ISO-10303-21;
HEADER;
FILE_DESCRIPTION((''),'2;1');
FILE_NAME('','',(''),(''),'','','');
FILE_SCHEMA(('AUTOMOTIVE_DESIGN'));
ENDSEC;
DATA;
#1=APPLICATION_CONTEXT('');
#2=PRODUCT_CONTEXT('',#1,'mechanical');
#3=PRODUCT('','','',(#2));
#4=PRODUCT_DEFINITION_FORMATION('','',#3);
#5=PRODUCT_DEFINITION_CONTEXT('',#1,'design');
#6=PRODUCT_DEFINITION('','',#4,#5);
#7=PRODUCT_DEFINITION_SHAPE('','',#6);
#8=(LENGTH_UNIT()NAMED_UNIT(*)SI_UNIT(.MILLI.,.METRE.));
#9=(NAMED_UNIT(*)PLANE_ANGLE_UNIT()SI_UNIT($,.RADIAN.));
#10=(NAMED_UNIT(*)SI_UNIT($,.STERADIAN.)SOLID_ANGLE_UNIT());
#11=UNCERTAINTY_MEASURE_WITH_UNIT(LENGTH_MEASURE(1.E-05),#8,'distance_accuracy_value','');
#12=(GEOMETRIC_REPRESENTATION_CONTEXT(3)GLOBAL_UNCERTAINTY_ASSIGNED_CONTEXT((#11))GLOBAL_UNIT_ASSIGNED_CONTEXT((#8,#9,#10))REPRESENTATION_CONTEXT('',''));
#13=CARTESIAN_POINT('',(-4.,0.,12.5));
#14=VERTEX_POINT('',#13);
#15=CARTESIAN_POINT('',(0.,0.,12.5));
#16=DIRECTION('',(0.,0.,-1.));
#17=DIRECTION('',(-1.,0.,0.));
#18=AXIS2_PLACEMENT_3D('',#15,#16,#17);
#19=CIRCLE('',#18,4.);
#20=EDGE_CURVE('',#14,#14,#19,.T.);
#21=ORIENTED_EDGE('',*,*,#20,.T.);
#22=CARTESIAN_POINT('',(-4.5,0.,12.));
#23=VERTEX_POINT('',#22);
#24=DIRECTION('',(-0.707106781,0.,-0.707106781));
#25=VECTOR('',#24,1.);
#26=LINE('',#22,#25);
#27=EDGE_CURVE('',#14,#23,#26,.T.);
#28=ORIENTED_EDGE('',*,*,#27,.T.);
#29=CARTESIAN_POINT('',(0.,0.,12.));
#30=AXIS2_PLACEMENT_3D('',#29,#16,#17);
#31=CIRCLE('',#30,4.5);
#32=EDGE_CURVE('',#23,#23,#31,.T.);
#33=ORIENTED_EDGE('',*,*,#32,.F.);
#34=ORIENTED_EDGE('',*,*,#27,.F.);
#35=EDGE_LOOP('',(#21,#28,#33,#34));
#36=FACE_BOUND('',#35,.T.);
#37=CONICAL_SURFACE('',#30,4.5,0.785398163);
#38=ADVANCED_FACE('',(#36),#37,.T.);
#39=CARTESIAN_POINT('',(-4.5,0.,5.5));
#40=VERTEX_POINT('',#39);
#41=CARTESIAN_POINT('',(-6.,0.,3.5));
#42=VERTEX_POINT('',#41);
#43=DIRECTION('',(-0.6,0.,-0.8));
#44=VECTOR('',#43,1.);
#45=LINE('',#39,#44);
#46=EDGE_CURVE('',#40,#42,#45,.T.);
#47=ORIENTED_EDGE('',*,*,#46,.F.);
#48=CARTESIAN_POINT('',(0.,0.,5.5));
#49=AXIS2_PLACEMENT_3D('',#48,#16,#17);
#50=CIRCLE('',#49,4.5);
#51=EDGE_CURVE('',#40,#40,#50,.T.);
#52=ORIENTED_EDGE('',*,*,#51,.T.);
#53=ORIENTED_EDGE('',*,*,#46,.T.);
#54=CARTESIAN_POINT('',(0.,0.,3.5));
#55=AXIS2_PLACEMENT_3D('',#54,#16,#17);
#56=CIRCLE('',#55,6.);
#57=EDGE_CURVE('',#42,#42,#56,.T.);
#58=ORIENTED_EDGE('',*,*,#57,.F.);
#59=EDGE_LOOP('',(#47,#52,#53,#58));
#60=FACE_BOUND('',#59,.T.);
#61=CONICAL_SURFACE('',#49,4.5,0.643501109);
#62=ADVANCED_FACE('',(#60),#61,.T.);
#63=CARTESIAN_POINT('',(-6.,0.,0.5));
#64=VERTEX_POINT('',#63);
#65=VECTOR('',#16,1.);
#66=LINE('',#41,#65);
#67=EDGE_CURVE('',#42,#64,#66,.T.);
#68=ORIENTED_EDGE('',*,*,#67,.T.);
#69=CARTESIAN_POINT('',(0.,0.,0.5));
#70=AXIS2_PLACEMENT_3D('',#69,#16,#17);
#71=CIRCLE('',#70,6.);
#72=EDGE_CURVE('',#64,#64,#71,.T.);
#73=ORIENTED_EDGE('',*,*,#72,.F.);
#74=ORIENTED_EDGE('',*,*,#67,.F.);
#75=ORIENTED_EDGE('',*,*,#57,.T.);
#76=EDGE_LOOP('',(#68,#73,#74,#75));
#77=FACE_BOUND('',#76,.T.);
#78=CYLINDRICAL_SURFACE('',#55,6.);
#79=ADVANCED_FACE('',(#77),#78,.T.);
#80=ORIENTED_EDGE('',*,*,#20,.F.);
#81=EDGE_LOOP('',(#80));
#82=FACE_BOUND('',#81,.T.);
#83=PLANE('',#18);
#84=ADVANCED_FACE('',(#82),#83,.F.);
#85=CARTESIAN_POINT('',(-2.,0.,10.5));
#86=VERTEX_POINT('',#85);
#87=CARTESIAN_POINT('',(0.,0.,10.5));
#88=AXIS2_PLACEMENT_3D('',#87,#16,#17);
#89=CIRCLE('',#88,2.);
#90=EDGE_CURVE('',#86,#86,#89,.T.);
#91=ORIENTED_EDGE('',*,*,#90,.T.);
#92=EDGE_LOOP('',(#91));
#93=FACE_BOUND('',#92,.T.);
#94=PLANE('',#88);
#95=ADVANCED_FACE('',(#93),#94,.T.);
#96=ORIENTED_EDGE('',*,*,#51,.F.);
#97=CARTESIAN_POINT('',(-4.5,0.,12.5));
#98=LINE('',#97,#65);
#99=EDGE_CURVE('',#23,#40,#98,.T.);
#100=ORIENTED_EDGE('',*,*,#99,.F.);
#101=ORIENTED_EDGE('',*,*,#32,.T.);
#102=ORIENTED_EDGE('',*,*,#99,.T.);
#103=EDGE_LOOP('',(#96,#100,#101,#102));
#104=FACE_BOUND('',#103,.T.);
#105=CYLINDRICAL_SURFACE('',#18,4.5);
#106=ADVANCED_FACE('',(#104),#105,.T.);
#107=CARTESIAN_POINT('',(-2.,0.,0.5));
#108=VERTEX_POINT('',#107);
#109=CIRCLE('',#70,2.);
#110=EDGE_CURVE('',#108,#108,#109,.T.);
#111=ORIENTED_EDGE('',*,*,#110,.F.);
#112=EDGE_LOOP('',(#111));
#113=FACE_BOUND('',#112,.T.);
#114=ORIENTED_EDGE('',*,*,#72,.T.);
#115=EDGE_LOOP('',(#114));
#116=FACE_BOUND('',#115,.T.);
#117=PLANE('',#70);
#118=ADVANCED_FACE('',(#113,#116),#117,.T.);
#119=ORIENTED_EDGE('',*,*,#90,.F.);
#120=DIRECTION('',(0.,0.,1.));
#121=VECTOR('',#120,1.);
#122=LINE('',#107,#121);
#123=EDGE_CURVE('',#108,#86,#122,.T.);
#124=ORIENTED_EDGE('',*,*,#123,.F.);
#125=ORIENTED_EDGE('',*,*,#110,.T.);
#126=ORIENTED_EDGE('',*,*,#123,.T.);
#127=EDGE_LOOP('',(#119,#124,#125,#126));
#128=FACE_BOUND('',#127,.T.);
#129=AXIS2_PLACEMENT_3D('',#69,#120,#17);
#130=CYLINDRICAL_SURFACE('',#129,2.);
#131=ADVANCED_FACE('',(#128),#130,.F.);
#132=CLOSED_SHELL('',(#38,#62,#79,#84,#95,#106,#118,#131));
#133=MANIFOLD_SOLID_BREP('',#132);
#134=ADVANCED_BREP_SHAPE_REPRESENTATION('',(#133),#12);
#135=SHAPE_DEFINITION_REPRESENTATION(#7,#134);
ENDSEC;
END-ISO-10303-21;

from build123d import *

# Parameters (mm, degrees)
F2_SIZE = 0.5


with BuildPart() as f1:
    # F0 (on Front) → F1 (revolve)
    with BuildSketch(Plane.XZ):
        Polygon((-6, 0.5), (-2, 0.5), (-2, 10.5), (0, 10.5), (0, 12.5), (-4.5, 12.5), (-4.5, 5.5), (-6, 3.5), align=None)
    revolve(axis=Axis((0, 0, 11.5), (0, 0, -1)))

    # F2
    f2_edges = [f1.edges().sort_by_distance(p)[0] for p in [
        (4.5, 0, 12.5),
    ]]
    chamfer(f2_edges, length=F2_SIZE)


solid = f1.part
